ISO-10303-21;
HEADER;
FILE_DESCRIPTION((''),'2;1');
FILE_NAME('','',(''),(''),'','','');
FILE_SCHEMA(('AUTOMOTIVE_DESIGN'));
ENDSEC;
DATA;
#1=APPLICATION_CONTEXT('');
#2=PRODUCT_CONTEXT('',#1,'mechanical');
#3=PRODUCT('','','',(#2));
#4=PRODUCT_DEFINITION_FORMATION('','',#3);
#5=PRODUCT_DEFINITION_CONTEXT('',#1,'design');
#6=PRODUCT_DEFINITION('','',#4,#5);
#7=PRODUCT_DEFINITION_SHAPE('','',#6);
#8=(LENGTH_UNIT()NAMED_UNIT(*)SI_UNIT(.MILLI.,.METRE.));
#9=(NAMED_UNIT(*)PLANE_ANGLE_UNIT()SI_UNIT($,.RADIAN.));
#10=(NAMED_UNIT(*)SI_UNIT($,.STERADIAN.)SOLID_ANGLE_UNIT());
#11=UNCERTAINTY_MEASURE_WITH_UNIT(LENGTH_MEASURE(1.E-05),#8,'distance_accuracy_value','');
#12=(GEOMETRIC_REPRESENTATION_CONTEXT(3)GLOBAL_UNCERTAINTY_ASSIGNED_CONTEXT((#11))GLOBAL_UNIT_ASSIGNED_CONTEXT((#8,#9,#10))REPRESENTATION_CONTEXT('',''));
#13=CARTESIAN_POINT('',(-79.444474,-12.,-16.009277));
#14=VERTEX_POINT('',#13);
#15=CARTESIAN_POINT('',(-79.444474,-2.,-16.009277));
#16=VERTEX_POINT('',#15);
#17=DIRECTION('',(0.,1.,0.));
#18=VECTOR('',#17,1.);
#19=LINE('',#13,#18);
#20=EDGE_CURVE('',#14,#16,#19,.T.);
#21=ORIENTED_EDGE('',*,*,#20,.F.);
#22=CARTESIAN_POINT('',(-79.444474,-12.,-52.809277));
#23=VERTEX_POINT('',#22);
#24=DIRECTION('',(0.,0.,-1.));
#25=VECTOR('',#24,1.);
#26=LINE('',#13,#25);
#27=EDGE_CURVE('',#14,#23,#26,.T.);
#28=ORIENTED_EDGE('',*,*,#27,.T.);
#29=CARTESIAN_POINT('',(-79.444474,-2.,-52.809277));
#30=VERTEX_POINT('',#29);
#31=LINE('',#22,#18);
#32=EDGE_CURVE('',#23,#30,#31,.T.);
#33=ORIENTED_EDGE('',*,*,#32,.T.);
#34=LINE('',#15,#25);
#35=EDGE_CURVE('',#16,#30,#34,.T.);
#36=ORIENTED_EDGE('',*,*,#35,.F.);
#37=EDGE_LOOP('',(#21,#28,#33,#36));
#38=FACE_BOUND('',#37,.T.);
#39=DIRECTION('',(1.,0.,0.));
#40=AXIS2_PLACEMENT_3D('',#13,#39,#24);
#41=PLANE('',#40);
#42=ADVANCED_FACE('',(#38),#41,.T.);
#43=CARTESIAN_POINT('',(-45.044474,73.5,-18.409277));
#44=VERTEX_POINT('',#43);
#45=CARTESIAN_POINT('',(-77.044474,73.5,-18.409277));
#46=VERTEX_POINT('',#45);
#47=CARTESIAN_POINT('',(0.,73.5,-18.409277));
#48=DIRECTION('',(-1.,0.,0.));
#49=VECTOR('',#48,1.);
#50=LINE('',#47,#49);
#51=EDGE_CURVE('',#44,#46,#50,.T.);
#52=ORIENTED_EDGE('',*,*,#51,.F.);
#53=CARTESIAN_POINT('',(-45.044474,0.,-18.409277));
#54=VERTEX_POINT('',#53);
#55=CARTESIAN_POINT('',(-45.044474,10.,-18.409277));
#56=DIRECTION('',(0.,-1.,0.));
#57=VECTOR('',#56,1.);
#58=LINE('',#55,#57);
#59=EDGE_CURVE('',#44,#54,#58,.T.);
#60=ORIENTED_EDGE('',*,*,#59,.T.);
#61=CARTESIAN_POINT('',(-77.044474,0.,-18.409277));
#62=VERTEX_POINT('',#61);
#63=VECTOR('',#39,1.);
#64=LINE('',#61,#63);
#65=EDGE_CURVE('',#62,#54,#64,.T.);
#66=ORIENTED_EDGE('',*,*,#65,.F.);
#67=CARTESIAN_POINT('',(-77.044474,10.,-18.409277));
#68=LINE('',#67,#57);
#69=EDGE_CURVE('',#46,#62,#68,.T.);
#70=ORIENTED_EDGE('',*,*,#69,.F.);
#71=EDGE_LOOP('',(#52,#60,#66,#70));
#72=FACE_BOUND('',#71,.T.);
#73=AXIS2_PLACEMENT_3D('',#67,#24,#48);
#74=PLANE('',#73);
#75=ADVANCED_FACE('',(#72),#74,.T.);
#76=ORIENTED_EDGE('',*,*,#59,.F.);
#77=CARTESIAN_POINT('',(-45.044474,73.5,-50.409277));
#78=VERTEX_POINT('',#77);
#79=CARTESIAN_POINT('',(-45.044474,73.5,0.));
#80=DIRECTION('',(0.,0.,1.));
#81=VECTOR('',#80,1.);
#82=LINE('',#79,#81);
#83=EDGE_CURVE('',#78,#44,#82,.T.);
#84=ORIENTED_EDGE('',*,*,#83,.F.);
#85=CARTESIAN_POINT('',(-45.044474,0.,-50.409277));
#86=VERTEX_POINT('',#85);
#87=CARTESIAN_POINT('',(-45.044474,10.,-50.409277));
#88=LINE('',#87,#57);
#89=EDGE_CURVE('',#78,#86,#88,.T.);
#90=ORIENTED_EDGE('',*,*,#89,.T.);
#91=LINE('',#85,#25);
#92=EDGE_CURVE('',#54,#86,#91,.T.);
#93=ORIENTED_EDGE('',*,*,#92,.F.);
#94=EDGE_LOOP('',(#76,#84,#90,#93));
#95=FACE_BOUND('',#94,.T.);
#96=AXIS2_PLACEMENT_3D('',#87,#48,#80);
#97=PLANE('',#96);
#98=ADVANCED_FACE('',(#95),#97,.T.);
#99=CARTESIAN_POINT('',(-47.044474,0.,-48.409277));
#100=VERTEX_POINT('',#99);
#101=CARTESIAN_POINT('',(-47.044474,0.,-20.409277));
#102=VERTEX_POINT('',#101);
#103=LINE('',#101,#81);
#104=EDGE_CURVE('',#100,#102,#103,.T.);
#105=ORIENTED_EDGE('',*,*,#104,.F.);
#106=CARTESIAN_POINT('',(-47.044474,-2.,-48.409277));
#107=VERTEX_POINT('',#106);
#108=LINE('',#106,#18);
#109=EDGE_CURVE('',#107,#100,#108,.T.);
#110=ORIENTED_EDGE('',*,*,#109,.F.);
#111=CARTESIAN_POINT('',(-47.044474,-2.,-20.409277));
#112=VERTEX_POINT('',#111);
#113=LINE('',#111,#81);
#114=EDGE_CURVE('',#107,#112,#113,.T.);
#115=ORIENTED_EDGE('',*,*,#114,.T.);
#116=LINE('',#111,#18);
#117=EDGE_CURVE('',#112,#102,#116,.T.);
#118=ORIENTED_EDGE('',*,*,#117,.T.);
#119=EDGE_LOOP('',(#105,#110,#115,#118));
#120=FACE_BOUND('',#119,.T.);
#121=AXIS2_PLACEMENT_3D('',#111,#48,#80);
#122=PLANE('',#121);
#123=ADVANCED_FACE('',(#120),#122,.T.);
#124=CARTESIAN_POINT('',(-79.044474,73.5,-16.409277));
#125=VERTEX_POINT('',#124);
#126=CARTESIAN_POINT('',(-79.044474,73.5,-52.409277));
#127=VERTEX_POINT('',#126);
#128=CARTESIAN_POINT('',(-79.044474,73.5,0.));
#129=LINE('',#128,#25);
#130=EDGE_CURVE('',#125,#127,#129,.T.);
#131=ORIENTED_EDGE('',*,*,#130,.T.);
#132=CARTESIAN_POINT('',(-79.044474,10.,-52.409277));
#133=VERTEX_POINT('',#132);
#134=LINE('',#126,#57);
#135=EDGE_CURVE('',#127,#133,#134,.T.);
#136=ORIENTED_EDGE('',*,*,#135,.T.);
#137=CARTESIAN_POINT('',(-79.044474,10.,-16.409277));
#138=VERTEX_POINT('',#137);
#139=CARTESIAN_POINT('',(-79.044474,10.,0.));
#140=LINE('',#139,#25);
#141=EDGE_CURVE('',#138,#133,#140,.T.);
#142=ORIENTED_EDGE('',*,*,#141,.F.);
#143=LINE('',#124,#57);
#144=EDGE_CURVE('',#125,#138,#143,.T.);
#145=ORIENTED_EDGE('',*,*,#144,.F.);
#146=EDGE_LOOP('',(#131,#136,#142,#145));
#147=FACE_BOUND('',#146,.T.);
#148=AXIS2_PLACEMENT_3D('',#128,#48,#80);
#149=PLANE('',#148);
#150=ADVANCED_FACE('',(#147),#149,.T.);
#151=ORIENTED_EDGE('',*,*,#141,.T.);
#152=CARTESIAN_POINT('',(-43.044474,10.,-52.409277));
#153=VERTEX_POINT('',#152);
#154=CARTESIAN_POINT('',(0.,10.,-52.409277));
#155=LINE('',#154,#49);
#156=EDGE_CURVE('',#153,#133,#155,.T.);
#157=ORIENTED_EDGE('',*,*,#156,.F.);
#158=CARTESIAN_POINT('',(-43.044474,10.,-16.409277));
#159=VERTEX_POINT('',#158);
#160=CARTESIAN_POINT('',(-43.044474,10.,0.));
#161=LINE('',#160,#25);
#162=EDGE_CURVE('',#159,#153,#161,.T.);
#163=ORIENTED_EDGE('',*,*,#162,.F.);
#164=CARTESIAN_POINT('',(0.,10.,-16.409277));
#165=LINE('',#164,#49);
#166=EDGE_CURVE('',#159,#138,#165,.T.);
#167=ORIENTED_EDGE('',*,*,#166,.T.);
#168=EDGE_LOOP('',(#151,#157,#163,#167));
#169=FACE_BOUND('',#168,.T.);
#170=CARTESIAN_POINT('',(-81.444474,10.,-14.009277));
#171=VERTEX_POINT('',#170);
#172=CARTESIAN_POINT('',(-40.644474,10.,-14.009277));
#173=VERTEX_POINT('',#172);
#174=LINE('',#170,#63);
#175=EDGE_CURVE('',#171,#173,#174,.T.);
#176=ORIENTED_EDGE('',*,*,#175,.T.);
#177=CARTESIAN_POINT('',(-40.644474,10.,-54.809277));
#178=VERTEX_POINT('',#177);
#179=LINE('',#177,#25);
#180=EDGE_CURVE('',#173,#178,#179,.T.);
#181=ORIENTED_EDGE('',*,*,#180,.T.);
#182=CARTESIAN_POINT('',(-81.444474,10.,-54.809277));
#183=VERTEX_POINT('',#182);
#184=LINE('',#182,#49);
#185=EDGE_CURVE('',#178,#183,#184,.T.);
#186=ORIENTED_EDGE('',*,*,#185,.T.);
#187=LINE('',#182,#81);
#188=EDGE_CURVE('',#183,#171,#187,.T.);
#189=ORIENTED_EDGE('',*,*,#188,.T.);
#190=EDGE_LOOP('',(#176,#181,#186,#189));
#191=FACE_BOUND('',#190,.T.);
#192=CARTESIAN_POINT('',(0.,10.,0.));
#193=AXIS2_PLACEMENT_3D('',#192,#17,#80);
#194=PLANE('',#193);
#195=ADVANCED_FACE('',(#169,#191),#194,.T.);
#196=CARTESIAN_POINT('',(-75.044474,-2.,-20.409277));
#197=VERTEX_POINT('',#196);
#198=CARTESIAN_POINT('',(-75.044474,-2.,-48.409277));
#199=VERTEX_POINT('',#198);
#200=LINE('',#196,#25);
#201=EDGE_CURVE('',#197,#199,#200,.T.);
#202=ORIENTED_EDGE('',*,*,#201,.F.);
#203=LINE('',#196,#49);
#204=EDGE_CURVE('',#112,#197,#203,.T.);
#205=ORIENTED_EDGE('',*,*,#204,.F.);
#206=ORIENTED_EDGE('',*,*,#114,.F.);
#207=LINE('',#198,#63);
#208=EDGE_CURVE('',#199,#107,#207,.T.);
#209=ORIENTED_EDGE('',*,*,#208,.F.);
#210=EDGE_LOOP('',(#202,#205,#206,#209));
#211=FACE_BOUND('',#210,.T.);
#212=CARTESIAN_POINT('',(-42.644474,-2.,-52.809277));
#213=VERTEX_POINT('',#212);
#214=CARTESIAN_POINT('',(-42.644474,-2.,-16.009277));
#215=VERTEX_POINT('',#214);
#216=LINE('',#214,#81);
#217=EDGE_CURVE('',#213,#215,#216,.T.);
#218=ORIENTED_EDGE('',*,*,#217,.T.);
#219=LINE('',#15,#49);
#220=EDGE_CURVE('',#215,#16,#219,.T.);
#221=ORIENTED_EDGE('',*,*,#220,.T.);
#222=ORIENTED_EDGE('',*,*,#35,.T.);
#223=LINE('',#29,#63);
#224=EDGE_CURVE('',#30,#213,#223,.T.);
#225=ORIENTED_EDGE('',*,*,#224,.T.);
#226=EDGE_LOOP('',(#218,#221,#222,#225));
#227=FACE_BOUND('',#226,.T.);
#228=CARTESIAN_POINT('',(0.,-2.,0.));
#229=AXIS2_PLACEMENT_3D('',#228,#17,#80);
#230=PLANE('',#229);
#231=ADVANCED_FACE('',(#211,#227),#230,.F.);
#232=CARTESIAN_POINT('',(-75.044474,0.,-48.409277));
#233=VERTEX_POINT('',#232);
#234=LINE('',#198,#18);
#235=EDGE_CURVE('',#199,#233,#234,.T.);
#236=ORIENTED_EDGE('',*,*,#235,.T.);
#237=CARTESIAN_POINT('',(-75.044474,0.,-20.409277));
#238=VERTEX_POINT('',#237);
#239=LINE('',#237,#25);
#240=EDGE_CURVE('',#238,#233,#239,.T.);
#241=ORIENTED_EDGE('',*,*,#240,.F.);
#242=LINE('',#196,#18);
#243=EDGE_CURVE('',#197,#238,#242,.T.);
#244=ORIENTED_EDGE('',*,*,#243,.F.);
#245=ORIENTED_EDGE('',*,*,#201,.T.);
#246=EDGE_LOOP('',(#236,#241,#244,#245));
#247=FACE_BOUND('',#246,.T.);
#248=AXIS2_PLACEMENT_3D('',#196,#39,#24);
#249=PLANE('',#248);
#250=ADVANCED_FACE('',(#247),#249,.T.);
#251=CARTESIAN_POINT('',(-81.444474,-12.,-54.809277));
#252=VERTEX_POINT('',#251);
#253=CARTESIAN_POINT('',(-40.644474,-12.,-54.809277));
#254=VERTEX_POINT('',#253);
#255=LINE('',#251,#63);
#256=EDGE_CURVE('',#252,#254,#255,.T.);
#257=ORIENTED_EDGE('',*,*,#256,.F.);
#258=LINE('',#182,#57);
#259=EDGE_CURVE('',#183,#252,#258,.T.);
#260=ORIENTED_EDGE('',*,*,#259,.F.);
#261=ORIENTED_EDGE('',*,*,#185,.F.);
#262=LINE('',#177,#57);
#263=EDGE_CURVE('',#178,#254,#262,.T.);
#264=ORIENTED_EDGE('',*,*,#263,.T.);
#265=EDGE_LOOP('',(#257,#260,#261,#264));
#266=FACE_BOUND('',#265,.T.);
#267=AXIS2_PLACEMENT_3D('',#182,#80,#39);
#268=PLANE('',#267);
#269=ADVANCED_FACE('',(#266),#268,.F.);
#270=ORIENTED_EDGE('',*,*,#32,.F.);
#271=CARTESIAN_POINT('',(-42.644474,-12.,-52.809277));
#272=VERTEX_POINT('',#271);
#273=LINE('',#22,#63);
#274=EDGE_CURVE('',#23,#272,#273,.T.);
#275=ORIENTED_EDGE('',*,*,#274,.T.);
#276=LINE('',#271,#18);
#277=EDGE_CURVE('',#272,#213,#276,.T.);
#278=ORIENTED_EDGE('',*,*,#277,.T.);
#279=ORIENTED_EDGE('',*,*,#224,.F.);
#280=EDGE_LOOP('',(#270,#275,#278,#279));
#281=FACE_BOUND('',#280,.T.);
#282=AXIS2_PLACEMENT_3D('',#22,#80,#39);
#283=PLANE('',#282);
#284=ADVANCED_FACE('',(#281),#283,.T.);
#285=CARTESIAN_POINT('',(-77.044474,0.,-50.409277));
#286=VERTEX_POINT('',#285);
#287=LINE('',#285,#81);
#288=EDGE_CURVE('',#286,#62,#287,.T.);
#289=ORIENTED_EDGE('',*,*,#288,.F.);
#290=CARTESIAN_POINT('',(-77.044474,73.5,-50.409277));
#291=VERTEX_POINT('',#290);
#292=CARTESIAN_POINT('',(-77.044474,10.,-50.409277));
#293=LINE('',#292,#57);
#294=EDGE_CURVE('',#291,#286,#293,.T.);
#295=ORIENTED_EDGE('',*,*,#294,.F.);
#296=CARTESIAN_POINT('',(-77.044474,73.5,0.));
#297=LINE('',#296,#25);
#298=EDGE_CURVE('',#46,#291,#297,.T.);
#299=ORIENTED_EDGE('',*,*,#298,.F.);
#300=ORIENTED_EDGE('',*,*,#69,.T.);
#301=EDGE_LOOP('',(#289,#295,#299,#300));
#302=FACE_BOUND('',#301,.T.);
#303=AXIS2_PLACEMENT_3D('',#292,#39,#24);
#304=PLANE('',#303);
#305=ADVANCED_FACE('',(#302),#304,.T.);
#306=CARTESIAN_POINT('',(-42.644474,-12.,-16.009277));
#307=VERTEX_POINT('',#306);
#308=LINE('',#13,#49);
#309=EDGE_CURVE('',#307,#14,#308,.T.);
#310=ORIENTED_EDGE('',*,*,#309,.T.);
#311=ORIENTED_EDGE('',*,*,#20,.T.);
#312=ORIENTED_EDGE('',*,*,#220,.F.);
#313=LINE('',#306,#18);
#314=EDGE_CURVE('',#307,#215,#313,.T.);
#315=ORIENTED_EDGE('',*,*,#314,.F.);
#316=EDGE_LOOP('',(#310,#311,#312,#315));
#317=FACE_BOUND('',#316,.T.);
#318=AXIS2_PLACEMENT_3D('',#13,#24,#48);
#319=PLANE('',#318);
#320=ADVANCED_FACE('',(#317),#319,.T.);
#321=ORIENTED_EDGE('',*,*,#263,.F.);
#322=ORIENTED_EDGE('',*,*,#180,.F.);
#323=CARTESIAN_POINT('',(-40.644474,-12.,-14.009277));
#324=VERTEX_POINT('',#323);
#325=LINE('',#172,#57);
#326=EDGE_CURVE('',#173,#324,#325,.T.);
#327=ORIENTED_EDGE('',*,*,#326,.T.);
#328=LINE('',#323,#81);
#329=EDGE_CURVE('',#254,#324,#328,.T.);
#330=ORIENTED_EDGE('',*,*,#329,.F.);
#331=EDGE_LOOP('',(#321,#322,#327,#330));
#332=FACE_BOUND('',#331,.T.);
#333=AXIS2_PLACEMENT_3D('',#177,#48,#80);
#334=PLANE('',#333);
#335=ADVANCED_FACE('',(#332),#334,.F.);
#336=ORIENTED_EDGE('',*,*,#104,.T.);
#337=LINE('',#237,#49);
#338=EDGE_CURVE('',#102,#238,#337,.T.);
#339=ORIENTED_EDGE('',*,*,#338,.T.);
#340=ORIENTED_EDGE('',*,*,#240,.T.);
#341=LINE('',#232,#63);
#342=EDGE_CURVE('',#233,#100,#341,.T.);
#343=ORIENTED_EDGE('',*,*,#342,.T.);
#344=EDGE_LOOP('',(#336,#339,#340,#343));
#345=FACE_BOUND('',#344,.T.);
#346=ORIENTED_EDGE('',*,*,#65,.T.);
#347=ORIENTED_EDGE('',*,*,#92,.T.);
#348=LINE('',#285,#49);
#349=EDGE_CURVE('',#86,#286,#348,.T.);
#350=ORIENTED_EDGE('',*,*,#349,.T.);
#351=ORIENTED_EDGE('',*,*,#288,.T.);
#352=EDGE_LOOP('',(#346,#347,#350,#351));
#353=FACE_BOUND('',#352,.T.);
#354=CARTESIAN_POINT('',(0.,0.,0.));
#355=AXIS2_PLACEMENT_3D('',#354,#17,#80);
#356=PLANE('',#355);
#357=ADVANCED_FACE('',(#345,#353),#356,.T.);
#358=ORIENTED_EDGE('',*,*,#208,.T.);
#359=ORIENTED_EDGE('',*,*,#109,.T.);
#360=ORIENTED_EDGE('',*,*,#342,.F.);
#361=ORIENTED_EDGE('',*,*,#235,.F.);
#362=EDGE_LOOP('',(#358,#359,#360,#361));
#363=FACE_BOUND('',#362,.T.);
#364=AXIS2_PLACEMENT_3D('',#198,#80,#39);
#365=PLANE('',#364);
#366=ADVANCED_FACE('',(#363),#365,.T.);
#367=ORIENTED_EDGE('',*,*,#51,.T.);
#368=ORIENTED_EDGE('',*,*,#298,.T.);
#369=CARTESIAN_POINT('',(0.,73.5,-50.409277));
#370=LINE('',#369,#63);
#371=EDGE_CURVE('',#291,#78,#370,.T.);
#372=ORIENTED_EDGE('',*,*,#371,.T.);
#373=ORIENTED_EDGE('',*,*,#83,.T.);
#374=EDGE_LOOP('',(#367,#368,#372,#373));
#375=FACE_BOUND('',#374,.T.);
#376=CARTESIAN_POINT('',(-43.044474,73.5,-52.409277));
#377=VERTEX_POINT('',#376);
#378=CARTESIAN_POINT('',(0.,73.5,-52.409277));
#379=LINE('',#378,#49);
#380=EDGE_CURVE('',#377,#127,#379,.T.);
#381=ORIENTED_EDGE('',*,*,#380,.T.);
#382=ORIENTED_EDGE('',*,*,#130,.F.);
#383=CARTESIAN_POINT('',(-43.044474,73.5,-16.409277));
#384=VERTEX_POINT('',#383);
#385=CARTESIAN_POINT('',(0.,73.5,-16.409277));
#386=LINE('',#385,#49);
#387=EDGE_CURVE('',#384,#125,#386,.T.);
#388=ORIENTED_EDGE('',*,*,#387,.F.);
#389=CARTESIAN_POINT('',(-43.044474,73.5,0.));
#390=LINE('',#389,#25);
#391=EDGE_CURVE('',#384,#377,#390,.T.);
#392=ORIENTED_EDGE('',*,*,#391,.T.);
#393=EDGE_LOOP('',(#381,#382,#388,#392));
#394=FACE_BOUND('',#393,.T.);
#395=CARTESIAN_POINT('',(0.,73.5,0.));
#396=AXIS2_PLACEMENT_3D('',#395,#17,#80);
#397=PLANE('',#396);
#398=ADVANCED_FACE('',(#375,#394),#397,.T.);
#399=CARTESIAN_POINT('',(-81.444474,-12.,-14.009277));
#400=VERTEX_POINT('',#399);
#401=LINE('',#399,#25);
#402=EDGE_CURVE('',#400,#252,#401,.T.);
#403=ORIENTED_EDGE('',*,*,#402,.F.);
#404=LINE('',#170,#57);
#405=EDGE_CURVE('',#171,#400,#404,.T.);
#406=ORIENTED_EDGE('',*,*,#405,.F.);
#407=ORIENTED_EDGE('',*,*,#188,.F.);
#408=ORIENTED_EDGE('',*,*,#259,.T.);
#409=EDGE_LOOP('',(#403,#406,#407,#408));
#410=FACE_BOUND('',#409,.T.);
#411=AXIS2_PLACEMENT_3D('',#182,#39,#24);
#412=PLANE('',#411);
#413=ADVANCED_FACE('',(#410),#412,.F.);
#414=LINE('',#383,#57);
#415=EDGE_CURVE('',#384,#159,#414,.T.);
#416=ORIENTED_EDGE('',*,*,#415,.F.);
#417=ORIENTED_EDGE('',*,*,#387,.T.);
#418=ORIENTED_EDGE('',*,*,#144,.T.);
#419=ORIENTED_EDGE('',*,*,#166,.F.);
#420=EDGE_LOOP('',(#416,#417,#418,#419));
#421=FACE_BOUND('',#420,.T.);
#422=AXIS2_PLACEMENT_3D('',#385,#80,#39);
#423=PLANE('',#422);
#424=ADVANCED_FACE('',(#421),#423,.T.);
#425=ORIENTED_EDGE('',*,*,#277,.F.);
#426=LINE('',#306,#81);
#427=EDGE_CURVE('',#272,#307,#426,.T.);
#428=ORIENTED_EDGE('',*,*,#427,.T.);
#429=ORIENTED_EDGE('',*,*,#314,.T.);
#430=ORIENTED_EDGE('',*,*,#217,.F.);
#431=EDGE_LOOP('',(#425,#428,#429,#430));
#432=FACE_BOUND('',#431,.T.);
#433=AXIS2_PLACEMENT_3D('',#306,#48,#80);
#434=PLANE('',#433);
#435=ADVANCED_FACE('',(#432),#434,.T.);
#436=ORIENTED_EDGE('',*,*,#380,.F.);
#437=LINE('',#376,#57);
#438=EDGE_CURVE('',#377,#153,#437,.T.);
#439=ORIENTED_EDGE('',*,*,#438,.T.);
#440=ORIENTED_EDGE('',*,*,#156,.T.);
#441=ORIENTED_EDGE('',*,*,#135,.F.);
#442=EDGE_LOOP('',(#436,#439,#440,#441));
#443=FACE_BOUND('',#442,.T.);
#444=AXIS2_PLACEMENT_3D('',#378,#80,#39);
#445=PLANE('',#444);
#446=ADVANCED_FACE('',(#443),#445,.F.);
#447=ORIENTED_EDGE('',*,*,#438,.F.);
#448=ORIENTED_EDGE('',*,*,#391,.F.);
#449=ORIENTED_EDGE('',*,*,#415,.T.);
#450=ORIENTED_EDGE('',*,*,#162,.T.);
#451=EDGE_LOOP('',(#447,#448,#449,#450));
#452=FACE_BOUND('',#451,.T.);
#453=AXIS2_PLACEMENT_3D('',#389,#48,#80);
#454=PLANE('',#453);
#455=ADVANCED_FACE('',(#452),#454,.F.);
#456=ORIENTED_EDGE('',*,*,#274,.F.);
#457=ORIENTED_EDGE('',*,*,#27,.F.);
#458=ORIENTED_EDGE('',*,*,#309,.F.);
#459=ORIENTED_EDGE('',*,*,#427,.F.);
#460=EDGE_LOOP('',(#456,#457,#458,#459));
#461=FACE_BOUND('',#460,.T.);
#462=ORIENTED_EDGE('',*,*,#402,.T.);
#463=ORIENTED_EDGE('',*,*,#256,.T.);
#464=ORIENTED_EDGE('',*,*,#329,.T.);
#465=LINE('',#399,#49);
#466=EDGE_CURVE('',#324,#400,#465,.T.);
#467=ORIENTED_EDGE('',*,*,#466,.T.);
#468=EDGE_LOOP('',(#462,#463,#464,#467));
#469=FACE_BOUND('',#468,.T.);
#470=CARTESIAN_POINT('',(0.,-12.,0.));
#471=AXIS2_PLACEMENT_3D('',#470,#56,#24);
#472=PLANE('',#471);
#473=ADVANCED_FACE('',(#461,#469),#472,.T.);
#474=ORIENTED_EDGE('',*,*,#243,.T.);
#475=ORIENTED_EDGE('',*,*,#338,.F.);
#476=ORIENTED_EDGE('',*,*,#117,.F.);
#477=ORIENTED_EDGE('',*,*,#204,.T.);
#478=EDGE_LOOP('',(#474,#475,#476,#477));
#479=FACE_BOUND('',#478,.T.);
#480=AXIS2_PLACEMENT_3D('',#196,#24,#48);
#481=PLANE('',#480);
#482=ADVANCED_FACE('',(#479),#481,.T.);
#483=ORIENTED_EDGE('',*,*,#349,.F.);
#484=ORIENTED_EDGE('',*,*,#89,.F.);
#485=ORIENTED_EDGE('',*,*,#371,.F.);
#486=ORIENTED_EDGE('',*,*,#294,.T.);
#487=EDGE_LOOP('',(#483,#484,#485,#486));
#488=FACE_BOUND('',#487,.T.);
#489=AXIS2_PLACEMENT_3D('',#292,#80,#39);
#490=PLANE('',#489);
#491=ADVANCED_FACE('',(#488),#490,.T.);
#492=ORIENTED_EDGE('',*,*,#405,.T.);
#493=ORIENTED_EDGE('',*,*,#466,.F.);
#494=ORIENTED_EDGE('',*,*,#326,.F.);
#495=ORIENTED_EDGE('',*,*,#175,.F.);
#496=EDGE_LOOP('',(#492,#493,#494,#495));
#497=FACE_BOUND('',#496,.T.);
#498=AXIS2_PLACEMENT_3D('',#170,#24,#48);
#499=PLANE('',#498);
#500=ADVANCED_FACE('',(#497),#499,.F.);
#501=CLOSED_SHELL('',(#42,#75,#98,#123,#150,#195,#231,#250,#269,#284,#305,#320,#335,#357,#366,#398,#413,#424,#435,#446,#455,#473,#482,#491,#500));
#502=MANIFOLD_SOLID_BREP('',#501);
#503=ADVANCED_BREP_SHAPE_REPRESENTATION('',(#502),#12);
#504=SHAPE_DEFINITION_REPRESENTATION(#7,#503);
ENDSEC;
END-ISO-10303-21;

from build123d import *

# Parameters (mm, degrees)
SKETCH1_W            = 40.8
SKETCH1_H            = 40.8
SKETCH1_W_2          = 32
SKETCH1_H_2          = 32
BOSS_EXTRUDE1_DEPTH  = 10
SKETCH5_W            = 36
SKETCH5_H            = 36
SKETCH5_W_2          = 32
SKETCH5_H_2          = 32
BOSS_EXTRUDE5_DEPTH  = 63.5
SKETCH2_W            = 40.8
SKETCH2_H            = 40.8
SKETCH2_W_2          = 28
SKETCH2_H_2          = 28
BOSS_EXTRUDE9_DEPTH  = 2
SKETCH9_W            = 40.8
SKETCH9_H            = 40.8
SKETCH9_W_2          = 36.8
SKETCH9_H_2          = 36.8
BOSS_EXTRUDE11_DEPTH = 10


with BuildPart() as part:
    # Sketch1 → Boss-Extrude1 (new body)
    with BuildSketch(Plane(origin=(0, 0, 0), x_dir=(1, 0, 0), z_dir=(0, 1, 0))):
        with Locations((-61.04447382, 34.409277239)):
            Rectangle(SKETCH1_W, SKETCH1_H)
        with Locations((-61.04447382, 34.409277239)):
            Rectangle(SKETCH1_W_2, SKETCH1_H_2, mode=Mode.SUBTRACT)
    extrude(amount=BOSS_EXTRUDE1_DEPTH)

    # Sketch5 → Boss-Extrude5 (add)
    with BuildSketch(Plane(origin=(0, 10, 0), x_dir=(1, 0, 0), z_dir=(0, 1, 0))):
        with Locations((-61.04447382, 34.409277239)):
            Rectangle(SKETCH5_W, SKETCH5_H)
        with Locations((-61.04447382, 34.409277239)):
            Rectangle(SKETCH5_W_2, SKETCH5_H_2, mode=Mode.SUBTRACT)
    extrude(amount=BOSS_EXTRUDE5_DEPTH)

    # Sketch2 → Boss-Extrude9 (add)
    with BuildSketch(Plane.XZ):
        with Locations((-61.04447382, -34.409277239)):
            Rectangle(SKETCH2_W, SKETCH2_H)
        with Locations((-61.04447382, -34.409277239)):
            Rectangle(SKETCH2_W_2, SKETCH2_H_2, mode=Mode.SUBTRACT)
    extrude(amount=BOSS_EXTRUDE9_DEPTH)

    # Sketch9 → Boss-Extrude11 (add)
    with BuildSketch(Plane.XZ.offset(2)):
        with Locations((-61.04447382, -34.409277239)):
            Rectangle(SKETCH9_W, SKETCH9_H)
        with Locations((-61.04447382, -34.409277239)):
            Rectangle(SKETCH9_W_2, SKETCH9_H_2, mode=Mode.SUBTRACT)
    extrude(amount=BOSS_EXTRUDE11_DEPTH)


solid = part.part
